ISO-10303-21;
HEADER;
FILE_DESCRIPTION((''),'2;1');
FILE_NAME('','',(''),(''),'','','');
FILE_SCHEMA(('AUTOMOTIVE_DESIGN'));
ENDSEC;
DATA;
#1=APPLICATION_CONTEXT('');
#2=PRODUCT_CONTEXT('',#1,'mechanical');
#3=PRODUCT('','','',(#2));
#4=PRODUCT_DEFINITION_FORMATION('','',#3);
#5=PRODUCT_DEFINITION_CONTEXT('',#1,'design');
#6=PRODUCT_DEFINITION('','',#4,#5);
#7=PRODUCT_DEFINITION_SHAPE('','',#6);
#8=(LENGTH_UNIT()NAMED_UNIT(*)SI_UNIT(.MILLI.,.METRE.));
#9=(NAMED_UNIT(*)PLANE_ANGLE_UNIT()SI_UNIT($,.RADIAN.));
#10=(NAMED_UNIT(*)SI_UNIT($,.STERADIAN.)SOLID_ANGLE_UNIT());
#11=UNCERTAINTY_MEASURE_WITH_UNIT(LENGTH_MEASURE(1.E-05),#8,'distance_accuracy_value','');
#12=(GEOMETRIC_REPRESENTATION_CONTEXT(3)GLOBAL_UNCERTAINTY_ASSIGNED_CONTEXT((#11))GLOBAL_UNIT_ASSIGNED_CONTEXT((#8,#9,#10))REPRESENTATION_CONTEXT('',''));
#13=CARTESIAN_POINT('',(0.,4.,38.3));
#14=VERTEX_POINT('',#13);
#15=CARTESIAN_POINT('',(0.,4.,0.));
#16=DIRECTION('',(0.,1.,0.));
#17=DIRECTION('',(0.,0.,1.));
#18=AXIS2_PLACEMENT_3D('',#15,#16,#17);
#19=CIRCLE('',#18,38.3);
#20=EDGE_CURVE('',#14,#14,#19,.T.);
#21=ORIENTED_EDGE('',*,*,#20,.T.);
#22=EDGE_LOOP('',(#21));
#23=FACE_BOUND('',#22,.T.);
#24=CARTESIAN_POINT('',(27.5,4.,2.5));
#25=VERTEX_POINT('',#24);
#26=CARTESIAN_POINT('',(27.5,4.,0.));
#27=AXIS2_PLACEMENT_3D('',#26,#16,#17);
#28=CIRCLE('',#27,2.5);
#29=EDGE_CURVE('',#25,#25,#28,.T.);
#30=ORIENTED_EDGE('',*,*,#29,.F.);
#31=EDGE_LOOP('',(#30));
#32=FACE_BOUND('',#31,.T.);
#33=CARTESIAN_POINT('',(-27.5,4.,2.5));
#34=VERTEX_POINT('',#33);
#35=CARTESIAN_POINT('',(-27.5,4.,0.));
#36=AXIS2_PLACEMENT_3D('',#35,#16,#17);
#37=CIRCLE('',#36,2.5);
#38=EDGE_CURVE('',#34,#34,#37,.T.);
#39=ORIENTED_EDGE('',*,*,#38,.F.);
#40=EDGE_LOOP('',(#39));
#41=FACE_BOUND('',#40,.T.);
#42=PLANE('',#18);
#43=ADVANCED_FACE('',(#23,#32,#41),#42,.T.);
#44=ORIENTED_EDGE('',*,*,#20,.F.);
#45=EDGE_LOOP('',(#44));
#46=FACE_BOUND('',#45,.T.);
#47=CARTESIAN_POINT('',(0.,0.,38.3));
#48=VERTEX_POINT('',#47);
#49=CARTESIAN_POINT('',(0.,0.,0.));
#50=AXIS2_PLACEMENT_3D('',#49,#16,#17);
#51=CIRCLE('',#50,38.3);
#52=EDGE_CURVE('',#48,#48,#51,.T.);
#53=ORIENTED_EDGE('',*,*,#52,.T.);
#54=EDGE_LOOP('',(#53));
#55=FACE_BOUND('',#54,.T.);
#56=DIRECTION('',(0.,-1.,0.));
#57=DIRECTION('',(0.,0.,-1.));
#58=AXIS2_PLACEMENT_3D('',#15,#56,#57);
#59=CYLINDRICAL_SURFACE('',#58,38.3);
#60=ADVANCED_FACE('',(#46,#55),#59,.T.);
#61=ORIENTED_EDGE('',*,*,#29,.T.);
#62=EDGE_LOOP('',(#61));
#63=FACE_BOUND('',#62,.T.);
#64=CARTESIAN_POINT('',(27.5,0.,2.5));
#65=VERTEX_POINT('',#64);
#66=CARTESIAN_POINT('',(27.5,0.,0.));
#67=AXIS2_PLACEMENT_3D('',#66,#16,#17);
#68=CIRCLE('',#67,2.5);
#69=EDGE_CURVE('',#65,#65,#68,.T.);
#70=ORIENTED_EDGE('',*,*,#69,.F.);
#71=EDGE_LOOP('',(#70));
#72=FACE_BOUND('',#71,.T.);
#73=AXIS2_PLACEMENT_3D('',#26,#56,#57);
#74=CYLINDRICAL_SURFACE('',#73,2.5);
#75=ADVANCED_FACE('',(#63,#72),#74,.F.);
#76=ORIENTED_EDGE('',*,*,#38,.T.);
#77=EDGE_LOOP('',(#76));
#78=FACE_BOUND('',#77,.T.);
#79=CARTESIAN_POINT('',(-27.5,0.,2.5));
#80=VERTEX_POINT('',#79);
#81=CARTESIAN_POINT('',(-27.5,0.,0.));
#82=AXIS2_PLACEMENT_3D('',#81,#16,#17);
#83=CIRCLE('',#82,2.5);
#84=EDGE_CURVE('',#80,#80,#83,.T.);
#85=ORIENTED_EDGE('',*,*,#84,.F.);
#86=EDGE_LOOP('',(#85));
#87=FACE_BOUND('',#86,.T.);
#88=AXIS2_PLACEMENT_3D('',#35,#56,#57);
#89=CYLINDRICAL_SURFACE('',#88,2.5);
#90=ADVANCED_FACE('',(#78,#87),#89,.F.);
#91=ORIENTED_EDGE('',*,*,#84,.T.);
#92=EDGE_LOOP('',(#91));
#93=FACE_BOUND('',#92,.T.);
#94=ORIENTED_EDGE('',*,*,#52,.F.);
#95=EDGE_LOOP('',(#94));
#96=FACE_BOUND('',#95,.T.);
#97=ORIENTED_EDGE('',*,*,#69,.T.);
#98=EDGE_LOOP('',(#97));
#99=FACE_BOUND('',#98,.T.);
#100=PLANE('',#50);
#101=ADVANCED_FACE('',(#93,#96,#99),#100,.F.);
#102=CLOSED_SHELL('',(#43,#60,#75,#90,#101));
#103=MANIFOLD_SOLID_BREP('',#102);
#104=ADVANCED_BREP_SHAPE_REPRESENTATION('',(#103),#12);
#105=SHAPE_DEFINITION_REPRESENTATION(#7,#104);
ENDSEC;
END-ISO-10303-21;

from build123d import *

# Parameters (mm, degrees)
SKETCH1_R           = 38.3
SKETCH1_R_2         = 2.5
BOSS_EXTRUDE1_DEPTH = 4


with BuildPart() as part:
    # Sketch1 → Boss-Extrude1 (new body)
    with BuildSketch(Plane(origin=(0, 0, 0), x_dir=(1, 0, 0), z_dir=(0, 1, 0))):
        with Locations(Location((0, 0, 0), (0, 0, 270))):
            Circle(SKETCH1_R)
        with Locations(Location((-27.5, 0, 0), (0, 0, 270))):
            Circle(SKETCH1_R_2, mode=Mode.SUBTRACT)
        with Locations(Location((27.5, 0, 0), (0, 0, 270))):
            Circle(SKETCH1_R_2, mode=Mode.SUBTRACT)
    extrude(amount=BOSS_EXTRUDE1_DEPTH)


solid = part.part
